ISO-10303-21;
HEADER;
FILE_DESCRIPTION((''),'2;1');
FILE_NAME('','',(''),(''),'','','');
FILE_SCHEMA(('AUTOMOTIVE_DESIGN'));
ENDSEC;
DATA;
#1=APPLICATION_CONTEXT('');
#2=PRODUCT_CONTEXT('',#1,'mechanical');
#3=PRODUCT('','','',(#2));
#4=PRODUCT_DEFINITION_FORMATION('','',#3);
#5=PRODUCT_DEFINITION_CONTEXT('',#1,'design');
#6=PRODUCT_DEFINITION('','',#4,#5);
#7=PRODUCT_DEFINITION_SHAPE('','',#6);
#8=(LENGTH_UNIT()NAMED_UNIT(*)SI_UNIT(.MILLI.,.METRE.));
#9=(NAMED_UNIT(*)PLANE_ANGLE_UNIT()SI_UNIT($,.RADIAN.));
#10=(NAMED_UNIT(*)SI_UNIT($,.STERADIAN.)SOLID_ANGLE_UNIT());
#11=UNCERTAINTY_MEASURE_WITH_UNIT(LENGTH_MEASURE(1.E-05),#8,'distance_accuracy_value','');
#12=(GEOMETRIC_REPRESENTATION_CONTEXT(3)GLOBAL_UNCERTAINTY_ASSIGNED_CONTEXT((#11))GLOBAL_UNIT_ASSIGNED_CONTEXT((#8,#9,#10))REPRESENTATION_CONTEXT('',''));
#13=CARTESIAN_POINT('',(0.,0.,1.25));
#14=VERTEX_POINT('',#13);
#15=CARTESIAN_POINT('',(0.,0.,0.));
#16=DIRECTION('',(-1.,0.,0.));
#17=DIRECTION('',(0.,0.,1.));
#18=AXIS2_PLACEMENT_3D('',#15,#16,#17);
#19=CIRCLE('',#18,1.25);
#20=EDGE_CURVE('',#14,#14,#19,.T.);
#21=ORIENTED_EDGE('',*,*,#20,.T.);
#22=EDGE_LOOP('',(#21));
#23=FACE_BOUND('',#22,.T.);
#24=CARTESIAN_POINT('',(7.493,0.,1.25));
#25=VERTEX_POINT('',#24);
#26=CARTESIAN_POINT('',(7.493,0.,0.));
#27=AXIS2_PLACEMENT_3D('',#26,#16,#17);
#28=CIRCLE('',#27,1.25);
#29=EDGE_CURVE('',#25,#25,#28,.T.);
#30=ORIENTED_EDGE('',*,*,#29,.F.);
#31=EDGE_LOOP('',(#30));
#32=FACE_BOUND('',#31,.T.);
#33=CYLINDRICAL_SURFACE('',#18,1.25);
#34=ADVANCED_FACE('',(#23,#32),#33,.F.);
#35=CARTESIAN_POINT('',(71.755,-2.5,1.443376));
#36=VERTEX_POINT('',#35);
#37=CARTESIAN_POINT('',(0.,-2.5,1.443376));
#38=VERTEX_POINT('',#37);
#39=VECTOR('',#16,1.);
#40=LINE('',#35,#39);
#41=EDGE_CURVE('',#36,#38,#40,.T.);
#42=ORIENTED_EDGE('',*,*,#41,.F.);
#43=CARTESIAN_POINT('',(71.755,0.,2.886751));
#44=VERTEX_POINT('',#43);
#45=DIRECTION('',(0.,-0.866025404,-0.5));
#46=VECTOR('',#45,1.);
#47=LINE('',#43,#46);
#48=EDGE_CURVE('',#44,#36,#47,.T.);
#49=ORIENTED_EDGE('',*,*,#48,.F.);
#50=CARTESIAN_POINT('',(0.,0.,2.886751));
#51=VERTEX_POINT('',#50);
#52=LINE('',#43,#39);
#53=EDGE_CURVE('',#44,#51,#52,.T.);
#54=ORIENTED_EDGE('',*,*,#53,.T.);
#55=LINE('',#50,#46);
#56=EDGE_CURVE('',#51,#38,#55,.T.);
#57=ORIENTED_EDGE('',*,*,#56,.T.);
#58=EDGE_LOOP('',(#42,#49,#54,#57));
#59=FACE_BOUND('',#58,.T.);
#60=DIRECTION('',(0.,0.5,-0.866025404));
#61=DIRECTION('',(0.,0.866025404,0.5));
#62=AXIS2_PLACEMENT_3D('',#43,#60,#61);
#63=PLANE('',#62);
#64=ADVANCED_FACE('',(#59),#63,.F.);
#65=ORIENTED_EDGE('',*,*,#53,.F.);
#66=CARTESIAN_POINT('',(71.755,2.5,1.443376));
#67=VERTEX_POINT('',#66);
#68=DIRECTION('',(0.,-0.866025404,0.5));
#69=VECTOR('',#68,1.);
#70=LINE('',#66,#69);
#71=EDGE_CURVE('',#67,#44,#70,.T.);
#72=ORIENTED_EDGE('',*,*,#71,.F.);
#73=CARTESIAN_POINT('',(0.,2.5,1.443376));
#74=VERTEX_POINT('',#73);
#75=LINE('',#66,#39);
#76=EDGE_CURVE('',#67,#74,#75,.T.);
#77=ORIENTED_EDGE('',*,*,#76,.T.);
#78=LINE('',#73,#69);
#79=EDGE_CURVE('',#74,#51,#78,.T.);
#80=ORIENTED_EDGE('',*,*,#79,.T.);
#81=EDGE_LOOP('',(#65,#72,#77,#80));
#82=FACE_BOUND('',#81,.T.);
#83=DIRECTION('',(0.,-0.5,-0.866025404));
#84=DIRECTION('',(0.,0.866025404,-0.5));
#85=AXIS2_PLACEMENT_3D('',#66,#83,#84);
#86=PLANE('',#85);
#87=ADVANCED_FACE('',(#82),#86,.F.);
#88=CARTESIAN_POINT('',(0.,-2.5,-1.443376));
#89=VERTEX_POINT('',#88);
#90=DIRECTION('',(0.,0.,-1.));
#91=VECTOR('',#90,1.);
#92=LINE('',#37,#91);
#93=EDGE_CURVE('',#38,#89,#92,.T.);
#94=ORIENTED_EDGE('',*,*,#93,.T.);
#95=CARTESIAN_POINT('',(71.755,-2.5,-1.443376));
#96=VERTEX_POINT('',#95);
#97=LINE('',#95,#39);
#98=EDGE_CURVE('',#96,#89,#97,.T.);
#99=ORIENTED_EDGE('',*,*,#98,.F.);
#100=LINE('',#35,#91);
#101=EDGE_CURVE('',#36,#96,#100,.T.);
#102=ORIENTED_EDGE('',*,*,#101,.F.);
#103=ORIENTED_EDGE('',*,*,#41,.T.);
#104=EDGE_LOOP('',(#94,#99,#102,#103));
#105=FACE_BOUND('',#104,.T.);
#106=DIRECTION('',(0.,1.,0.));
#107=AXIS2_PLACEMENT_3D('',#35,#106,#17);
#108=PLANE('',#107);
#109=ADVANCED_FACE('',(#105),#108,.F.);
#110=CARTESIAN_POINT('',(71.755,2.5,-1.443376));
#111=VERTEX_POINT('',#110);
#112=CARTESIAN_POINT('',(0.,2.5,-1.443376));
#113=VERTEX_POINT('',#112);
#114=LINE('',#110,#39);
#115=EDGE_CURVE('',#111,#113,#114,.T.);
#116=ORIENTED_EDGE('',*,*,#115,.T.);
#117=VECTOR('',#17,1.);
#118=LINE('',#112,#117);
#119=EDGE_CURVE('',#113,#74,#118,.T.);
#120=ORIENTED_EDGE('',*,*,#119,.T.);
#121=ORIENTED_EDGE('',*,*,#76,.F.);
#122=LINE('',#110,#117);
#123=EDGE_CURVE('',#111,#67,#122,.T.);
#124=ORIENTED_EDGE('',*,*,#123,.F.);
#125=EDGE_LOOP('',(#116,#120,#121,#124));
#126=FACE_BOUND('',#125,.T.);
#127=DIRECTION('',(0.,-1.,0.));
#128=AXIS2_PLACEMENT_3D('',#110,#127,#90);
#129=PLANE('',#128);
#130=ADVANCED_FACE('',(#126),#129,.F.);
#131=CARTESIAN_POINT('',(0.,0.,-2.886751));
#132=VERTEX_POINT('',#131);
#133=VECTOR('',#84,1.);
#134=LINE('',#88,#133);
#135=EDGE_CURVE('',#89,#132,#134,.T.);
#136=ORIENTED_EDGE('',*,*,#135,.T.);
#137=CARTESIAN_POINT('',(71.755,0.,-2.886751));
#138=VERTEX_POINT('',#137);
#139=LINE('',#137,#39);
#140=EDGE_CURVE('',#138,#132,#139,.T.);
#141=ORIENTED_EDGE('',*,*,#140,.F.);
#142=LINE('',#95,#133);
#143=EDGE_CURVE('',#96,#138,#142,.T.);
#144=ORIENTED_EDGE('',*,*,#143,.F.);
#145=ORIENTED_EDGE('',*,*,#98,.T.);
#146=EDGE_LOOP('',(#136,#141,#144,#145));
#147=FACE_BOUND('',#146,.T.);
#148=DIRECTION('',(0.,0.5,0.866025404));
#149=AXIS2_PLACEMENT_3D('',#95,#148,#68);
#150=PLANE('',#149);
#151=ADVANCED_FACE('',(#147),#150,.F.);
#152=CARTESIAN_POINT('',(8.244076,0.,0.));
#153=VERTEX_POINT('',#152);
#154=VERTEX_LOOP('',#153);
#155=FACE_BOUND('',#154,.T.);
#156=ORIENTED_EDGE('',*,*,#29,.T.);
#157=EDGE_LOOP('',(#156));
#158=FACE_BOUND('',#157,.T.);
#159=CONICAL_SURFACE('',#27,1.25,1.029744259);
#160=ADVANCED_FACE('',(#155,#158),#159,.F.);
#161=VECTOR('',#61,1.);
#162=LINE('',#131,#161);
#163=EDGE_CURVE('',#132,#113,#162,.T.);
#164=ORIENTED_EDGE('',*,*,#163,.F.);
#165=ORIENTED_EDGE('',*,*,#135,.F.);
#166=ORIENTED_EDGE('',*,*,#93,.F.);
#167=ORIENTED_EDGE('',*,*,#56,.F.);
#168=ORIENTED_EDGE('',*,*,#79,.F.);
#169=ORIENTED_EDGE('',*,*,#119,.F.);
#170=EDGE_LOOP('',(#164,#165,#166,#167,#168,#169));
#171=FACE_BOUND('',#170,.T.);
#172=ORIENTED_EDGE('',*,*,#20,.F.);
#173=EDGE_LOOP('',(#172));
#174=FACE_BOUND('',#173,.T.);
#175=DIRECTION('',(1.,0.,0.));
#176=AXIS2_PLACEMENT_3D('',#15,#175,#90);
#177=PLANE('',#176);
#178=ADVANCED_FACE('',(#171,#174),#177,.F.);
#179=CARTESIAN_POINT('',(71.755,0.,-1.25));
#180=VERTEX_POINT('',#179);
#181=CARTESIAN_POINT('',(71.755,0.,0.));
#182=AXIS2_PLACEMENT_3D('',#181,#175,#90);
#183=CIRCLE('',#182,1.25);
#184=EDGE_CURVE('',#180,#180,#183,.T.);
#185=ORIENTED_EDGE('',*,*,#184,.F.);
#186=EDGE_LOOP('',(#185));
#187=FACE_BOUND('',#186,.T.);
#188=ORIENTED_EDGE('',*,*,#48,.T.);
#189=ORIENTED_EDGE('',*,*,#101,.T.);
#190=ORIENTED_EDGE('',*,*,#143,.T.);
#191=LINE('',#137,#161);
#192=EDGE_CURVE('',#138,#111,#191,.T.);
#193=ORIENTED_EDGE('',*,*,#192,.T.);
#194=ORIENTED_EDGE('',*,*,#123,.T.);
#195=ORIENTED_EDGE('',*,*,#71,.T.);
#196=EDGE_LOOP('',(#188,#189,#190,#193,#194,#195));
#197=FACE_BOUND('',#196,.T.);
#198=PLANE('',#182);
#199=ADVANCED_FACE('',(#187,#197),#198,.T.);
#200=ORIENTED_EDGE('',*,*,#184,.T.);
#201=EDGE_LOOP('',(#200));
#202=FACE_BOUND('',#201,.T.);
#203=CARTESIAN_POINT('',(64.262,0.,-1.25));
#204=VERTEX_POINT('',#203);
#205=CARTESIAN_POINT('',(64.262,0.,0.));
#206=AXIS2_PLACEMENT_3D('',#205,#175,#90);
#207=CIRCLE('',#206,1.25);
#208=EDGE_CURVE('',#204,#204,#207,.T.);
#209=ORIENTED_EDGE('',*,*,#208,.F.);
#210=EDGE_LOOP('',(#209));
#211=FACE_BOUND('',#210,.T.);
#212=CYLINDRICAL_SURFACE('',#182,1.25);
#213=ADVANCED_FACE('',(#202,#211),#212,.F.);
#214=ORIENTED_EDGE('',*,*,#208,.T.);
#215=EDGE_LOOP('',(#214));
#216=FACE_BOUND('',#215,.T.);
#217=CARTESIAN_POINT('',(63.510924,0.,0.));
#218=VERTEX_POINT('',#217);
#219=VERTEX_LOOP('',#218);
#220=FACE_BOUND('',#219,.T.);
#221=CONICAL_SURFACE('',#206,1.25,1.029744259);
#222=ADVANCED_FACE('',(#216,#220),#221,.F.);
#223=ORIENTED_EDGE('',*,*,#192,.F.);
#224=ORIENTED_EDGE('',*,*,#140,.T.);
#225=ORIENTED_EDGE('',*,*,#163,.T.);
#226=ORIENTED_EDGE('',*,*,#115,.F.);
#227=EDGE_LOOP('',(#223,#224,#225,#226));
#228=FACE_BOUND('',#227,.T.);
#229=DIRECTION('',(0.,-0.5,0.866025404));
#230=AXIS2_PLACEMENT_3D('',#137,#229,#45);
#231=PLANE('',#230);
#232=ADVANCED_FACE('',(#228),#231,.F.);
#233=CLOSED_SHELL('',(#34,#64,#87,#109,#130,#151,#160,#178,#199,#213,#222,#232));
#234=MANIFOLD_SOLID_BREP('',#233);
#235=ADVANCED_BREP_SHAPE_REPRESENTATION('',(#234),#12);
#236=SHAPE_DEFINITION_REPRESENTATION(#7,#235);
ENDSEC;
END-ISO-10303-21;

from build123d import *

# Parameters (mm, degrees)
BOSS_EXTRUDE1_DEPTH       = 71.755
M3X0_5_TAPPED_HOLE1_D     = 2.5
M3X0_5_TAPPED_HOLE1_DEPTH = 7.493
M3X0_5_TAPPED_HOLE1_TIP   = 0.751075774
M3X0_5_TAPPED_HOLE2_D     = 2.5
M3X0_5_TAPPED_HOLE2_DEPTH = 7.493
M3X0_5_TAPPED_HOLE2_TIP   = 0.751075774


with BuildPart() as part:
    # Sketch1 → Boss-Extrude1 (new body)
    with BuildSketch(Plane(origin=(0, 0, 0), x_dir=(0, 0, -1), z_dir=(1, 0, 0))):
        Polygon((1.443375673, 2.5), (-1.443375673, 2.5), (-2.886751346, 0), (-1.443375673, -2.5), (1.443375673, -2.5), (2.886751346, 0), align=None)
    extrude(amount=BOSS_EXTRUDE1_DEPTH)

    # M3x0.5 Tapped Hole1
    with Locations(Plane.ZY):
        with Locations((0, 0)):
            Hole(M3X0_5_TAPPED_HOLE1_D / 2, depth=M3X0_5_TAPPED_HOLE1_DEPTH)
            with Locations((0, 0, -(M3X0_5_TAPPED_HOLE1_DEPTH + M3X0_5_TAPPED_HOLE1_TIP / 2))):  # 118° drill point
                Cone(0, M3X0_5_TAPPED_HOLE1_D / 2, M3X0_5_TAPPED_HOLE1_TIP, mode=Mode.SUBTRACT)

    # M3x0.5 Tapped Hole2
    with Locations(Plane(origin=(71.755, 0, 0), x_dir=(0, 0, -1), z_dir=(1, 0, 0))):
        with Locations((0, 0)):
            Hole(M3X0_5_TAPPED_HOLE2_D / 2, depth=M3X0_5_TAPPED_HOLE2_DEPTH)
            with Locations((0, 0, -(M3X0_5_TAPPED_HOLE2_DEPTH + M3X0_5_TAPPED_HOLE2_TIP / 2))):  # 118° drill point
                Cone(0, M3X0_5_TAPPED_HOLE2_D / 2, M3X0_5_TAPPED_HOLE2_TIP, mode=Mode.SUBTRACT)


solid = part.part
